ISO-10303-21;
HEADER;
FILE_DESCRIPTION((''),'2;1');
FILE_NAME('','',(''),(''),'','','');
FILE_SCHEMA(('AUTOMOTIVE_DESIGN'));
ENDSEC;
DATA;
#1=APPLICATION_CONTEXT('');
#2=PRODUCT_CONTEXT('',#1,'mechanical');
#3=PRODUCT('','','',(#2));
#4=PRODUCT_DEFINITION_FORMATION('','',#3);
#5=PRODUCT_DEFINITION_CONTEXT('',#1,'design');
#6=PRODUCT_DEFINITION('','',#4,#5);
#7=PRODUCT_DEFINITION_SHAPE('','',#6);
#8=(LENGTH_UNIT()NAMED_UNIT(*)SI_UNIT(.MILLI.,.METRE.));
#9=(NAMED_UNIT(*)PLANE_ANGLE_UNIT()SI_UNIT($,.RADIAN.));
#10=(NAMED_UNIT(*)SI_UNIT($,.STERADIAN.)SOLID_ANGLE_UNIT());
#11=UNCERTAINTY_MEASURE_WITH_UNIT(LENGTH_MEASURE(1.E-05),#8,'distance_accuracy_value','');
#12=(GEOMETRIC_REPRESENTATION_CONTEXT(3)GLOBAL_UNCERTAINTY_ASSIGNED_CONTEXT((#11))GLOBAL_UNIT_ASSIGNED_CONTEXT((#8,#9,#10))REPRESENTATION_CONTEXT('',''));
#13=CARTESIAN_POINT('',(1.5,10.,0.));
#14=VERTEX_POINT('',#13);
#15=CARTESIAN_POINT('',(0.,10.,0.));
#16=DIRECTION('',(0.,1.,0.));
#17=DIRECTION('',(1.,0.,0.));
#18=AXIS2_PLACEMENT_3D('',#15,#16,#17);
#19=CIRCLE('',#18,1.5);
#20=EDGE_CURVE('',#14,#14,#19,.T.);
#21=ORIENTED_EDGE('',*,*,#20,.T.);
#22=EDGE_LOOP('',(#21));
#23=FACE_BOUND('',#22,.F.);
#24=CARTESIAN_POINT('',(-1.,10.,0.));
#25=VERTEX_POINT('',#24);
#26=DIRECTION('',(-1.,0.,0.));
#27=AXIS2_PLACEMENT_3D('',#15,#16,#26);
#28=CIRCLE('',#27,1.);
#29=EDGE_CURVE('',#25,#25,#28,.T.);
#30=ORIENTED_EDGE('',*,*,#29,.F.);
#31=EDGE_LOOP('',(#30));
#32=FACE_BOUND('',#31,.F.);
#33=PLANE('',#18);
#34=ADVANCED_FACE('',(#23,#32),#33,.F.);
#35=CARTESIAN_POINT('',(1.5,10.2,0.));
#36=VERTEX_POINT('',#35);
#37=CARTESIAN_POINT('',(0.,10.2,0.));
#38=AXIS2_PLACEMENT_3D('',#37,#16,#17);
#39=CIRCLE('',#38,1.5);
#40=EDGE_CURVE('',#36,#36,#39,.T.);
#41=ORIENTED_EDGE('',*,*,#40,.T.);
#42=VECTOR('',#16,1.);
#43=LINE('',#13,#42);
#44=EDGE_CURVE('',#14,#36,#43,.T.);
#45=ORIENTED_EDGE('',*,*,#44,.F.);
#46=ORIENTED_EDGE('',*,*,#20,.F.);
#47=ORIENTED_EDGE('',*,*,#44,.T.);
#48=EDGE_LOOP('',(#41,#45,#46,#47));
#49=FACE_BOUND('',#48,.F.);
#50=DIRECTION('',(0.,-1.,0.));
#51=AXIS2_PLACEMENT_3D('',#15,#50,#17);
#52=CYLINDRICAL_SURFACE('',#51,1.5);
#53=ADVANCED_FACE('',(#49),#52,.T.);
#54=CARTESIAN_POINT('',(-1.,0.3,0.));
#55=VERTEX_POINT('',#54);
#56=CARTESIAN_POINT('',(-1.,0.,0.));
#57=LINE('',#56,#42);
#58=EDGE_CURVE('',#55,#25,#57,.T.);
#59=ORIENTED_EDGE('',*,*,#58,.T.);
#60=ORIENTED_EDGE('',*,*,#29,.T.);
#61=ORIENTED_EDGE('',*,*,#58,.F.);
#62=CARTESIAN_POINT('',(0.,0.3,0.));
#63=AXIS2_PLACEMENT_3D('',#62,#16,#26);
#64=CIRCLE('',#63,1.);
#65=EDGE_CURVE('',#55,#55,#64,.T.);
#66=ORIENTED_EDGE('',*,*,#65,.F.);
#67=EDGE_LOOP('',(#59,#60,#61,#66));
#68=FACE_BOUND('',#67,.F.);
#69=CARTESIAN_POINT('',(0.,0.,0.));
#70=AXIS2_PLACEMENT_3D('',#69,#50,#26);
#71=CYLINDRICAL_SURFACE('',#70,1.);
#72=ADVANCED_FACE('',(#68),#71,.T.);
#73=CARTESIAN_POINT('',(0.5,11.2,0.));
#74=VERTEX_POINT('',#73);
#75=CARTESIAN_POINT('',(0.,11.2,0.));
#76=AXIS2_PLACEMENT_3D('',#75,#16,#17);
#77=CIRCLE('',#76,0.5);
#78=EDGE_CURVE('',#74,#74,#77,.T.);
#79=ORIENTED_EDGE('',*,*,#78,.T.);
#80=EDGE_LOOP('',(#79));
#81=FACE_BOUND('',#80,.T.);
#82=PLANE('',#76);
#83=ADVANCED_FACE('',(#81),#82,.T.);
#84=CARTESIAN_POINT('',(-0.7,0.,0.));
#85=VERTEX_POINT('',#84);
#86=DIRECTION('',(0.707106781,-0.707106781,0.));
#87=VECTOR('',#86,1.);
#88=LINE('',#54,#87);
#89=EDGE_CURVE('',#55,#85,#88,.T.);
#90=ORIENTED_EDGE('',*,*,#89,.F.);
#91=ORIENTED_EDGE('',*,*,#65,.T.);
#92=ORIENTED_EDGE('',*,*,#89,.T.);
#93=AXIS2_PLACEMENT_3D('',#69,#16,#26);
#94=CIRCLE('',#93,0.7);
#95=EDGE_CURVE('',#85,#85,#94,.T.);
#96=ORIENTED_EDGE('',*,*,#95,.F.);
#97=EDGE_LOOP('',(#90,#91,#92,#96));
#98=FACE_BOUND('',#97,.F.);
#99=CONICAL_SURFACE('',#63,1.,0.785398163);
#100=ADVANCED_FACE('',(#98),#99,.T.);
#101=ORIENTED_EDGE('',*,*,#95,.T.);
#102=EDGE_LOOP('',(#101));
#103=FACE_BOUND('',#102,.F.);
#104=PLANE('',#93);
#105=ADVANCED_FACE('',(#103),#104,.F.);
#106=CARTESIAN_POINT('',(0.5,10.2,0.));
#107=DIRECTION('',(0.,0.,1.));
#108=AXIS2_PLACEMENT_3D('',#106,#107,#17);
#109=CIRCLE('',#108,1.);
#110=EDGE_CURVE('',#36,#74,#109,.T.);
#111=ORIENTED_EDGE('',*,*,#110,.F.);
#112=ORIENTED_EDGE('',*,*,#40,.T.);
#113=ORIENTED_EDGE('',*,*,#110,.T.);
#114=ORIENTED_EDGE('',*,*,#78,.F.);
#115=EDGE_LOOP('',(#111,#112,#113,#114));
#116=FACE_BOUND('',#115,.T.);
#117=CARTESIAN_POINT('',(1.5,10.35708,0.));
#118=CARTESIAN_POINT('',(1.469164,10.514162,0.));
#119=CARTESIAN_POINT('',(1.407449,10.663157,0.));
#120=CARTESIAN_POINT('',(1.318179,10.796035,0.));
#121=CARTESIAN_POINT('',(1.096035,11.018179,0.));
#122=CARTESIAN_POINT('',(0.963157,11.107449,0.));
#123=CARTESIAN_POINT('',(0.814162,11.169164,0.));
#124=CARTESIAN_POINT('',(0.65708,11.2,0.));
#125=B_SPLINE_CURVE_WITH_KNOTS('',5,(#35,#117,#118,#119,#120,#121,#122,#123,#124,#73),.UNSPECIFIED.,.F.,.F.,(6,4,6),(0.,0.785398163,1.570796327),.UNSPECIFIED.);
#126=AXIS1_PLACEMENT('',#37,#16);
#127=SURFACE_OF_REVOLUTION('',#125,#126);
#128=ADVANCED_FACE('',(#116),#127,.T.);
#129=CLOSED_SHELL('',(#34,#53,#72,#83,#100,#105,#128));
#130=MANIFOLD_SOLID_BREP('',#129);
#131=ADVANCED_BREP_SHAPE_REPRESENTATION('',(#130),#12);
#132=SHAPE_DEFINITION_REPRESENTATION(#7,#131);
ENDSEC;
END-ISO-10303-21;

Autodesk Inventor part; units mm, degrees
ref_plane "YZ Plane" through (0, 0, 0) normal (1, 0, 0) x (0, 1, 0)
ref_plane "XZ Plane" through (0, 0, 0) normal (0, 1, 0) x (-1, 0, 0)
ref_plane "XY Plane" through (0, 0, 0) normal (0, 0, 1) x (1, 0, 0)
sketch "Sketch1" plane through (0, 0, 0) normal (0, 1, 0) x (-1, 0, 0)
  circle A0 centre (0, 0) radius 1
  dimension "d0" = 2
extrude "Extrusion1" add sketch "Sketch1" along normal blind 10
sketch "Sketch2" plane through (0, 10, 0) normal (0, 1, 0) x (1, 0, 0)
  circle A0 centre (0, 0) radius 1.5
  dimension "d3" = 3
extrude "Extrusion2" add sketch "Sketch2" along normal blind 1.2
fillet "Fillet1" radius 1 1 edges at (-1.5, 11.2, 0)
chamfer "Chamfer1" distance 0.3 angle 45 1 edges at (1, 0, 0)
thread "Thread1" size "M2x0.4" class "6g" standard "ANSI Metric M Profile" full length
properties part number "M2x10 Screw Steel" material "Nylon 6"
